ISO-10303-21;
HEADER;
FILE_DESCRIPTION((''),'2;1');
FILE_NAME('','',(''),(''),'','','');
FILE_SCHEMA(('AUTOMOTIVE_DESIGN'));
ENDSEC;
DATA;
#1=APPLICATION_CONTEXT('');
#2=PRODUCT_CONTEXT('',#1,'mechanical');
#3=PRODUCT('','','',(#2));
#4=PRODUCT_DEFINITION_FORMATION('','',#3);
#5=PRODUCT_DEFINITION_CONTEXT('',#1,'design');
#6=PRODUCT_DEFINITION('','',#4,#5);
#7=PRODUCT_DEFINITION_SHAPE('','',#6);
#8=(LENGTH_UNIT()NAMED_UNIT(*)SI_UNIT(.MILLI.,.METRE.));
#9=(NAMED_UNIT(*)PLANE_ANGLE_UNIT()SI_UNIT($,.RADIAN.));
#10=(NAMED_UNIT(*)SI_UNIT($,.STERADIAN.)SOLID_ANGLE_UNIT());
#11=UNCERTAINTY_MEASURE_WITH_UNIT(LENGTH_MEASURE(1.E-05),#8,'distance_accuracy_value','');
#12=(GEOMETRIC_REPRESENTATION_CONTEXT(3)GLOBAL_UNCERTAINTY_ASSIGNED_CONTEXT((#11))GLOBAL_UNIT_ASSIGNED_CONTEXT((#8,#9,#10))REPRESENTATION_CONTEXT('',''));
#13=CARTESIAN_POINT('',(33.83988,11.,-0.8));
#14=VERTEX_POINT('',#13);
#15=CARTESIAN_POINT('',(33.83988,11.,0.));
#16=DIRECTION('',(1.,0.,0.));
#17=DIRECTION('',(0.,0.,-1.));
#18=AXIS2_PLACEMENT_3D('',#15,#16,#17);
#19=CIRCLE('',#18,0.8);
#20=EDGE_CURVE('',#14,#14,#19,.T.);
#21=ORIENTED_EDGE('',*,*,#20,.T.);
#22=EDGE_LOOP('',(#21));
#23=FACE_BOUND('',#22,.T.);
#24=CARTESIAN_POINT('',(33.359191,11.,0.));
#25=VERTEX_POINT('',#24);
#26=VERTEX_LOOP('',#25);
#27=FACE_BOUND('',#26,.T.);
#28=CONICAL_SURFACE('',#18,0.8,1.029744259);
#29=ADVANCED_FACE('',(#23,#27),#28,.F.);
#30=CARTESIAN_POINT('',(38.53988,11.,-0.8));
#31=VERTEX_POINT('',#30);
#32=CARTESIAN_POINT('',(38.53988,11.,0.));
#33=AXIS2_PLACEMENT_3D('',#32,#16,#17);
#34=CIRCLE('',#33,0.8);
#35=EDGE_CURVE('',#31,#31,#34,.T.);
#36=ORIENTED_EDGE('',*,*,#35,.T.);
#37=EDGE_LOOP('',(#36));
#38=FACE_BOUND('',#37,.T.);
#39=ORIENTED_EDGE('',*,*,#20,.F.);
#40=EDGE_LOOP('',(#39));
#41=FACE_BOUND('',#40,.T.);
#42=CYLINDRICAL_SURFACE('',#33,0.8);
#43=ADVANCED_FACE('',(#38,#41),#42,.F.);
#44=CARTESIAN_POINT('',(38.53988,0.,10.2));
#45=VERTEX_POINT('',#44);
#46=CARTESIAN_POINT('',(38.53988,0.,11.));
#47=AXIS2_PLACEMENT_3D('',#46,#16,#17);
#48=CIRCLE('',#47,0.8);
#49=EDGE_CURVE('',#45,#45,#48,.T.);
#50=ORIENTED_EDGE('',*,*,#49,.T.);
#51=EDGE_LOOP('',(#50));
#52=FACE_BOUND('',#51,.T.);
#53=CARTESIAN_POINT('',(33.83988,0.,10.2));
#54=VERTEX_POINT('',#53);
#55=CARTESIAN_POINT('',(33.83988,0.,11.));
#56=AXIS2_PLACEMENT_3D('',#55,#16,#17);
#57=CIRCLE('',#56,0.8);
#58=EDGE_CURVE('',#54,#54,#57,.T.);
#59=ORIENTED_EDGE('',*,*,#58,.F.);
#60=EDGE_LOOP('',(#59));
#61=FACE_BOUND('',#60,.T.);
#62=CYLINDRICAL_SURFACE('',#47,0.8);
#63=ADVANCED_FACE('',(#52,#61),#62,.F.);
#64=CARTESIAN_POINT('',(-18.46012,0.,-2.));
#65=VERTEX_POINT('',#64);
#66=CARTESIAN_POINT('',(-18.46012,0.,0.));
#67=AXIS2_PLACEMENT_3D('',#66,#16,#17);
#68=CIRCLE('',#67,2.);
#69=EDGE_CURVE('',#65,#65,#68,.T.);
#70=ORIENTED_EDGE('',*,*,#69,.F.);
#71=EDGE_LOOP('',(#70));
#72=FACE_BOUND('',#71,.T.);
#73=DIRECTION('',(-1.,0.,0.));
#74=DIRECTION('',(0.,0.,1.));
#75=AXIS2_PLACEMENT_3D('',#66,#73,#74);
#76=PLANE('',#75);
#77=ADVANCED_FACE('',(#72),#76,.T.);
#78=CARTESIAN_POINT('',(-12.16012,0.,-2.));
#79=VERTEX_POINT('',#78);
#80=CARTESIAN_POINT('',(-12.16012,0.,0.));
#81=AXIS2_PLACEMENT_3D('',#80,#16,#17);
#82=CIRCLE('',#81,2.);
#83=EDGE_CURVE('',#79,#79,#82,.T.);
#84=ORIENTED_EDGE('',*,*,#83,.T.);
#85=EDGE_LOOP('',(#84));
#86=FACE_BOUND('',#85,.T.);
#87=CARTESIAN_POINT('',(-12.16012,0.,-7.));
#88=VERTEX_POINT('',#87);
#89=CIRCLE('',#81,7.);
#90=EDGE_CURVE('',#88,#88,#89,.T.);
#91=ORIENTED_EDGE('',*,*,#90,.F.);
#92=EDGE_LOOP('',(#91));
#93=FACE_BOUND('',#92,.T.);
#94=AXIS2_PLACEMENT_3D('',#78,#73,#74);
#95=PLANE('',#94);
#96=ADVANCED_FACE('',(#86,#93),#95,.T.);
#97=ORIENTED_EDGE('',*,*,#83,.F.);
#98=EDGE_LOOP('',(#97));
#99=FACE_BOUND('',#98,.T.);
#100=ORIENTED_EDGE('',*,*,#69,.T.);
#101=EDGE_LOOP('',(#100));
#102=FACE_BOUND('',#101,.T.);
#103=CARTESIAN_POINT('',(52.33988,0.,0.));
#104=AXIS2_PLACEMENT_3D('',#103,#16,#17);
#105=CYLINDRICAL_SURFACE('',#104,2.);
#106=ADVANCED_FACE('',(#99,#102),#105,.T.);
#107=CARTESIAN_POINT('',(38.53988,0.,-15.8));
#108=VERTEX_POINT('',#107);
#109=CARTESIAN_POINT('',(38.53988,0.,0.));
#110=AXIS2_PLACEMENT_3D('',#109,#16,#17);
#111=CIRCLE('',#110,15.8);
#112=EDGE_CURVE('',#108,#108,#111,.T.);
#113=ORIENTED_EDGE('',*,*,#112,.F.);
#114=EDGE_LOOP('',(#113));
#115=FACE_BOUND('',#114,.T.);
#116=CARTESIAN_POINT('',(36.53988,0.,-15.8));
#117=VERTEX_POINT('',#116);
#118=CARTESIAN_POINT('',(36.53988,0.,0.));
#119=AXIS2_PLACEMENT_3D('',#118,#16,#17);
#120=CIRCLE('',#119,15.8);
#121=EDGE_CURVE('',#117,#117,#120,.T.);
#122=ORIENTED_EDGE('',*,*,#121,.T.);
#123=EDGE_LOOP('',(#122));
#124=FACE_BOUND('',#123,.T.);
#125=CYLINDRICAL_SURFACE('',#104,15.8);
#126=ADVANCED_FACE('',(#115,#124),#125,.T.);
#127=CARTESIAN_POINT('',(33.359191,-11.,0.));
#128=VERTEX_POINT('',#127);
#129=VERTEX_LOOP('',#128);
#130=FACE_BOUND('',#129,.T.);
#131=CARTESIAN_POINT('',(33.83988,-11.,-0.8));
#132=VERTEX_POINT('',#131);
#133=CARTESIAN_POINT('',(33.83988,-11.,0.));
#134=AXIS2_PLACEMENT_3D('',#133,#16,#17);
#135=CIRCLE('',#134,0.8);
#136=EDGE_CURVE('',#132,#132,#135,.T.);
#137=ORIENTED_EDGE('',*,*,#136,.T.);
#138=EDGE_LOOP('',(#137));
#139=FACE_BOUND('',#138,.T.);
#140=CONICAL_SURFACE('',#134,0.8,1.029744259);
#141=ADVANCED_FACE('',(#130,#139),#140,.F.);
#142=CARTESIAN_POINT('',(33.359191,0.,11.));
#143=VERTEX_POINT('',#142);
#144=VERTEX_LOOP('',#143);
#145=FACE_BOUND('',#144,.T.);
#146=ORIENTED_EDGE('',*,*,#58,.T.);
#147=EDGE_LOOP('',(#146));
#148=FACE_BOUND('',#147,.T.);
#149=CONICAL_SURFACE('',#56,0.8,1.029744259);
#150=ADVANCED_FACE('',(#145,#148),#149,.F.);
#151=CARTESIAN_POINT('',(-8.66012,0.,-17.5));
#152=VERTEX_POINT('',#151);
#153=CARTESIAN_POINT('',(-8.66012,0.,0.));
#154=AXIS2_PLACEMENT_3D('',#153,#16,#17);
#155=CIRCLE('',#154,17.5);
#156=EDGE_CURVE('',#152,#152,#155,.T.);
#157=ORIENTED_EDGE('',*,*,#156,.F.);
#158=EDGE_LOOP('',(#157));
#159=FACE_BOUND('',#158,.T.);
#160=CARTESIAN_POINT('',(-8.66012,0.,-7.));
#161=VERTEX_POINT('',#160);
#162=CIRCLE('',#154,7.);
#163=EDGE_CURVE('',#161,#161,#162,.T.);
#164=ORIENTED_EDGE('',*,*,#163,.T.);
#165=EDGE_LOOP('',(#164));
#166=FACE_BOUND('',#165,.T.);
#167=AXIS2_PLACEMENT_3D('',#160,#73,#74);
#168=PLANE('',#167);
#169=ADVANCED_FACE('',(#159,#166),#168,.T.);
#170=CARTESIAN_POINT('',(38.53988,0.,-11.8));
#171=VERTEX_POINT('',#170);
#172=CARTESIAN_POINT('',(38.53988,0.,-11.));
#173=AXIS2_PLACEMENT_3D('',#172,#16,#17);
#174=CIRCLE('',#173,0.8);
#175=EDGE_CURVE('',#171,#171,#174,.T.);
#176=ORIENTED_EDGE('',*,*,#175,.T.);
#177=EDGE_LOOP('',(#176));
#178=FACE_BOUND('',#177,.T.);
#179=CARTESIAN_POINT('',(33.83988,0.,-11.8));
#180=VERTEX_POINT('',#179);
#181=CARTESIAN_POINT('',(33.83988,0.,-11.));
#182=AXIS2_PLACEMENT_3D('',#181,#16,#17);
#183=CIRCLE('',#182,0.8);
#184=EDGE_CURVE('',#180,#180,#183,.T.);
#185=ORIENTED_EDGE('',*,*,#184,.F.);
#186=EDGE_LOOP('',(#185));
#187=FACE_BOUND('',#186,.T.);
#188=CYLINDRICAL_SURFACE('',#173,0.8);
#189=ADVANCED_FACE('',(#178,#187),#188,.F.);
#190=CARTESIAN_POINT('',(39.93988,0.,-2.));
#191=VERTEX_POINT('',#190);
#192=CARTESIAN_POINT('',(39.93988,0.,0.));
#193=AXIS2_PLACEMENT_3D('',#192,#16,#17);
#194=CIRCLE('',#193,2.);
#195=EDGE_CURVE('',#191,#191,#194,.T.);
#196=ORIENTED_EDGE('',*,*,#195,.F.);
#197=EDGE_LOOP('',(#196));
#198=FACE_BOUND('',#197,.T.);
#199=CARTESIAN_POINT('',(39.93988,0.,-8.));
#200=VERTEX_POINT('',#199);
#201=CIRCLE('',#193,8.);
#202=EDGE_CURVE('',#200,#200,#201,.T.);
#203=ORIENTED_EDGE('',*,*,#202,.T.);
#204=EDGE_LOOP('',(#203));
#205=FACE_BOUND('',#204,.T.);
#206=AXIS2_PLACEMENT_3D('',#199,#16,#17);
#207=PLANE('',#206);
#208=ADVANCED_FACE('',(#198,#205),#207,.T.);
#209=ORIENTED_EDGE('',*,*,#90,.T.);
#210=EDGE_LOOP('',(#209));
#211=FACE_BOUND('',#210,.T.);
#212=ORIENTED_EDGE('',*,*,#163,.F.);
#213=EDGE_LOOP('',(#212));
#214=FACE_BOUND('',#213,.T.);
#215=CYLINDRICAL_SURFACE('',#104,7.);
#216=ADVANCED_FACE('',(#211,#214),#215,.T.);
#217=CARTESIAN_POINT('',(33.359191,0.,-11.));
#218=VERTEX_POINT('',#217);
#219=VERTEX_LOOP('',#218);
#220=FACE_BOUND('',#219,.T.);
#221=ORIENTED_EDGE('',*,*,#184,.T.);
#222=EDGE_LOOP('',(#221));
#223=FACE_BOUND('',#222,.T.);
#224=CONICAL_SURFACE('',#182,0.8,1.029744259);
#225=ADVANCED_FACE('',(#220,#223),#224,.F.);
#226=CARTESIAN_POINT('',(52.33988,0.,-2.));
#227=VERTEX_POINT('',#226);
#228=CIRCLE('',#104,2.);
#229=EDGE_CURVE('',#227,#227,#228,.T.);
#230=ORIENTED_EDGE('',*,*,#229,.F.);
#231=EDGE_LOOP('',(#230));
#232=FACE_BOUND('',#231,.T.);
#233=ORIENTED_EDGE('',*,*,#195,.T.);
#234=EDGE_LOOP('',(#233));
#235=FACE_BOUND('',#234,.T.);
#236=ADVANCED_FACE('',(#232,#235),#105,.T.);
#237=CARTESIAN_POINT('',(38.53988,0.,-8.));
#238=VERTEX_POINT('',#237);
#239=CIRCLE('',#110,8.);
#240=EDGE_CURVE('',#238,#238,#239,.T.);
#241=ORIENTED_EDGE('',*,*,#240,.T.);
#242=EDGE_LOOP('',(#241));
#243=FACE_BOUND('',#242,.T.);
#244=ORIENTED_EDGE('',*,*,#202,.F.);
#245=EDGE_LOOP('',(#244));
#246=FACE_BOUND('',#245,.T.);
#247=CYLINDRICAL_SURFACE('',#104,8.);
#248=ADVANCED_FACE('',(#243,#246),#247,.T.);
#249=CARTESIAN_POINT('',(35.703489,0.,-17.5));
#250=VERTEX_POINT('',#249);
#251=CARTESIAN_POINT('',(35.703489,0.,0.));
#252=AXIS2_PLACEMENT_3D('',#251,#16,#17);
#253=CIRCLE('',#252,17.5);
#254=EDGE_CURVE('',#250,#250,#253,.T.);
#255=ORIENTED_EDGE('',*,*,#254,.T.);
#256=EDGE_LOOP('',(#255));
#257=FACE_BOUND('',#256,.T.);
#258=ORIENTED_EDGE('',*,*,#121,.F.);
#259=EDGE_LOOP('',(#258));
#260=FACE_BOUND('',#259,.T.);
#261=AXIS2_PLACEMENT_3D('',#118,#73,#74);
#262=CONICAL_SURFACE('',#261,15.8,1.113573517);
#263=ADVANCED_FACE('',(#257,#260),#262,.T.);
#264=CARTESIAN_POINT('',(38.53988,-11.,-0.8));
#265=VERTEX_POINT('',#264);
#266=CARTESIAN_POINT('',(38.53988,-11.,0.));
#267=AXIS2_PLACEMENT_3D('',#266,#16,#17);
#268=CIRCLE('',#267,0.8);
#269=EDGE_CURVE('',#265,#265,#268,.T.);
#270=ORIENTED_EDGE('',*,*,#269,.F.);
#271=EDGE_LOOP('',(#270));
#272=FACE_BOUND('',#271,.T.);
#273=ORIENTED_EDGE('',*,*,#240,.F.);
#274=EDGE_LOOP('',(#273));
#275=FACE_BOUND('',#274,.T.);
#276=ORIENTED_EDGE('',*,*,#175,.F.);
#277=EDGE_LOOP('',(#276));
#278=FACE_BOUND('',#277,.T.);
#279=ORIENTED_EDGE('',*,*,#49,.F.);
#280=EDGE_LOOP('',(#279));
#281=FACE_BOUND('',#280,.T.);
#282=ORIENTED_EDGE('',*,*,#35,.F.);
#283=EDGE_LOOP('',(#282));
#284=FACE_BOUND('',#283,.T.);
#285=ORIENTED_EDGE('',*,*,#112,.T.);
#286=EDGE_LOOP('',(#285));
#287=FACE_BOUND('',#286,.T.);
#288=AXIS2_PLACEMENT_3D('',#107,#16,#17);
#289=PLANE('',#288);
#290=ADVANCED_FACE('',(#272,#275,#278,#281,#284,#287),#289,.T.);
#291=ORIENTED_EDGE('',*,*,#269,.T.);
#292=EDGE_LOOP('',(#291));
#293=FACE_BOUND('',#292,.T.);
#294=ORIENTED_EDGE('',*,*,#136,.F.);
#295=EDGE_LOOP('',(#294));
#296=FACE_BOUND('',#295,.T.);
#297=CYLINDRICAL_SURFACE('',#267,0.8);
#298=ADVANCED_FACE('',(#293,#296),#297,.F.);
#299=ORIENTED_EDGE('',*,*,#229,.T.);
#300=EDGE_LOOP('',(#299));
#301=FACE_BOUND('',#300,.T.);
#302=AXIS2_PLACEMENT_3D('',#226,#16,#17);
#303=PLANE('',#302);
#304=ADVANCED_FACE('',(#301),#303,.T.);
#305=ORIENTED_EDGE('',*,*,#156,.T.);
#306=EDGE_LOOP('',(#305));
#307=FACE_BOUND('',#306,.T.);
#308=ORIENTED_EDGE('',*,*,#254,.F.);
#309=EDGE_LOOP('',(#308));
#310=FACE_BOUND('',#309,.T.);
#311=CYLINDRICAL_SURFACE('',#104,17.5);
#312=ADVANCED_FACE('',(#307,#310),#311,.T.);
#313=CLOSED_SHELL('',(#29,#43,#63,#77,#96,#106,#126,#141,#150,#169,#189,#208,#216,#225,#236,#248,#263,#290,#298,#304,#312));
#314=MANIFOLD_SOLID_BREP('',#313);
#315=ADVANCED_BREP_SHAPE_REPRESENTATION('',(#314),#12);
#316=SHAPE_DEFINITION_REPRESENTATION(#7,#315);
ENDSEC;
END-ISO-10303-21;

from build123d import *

# Parameters (mm, degrees)
R_P_TITION_CIRCULAIRE7_COUNT = 4


with BuildPart() as part:
    # Esquisse1 → Révolution1 (revolve)
    with BuildSketch(Plane(origin=(0, 0, 0), x_dir=(1, 0, 0), z_dir=(0, 1, 0))):
        Polygon((-18.460120385, 0), (-18.460120385, 2), (-12.160120385, 2), (-12.160120385, 7), (-8.660120385, 7), (-8.660120385, 17.5), (35.703488783, 17.5), (36.539879615, 15.8), (38.539879615, 15.8), (38.539879615, 8), (39.939879615, 8), (39.939879615, 2), (52.339879615, 2), (52.339879615, 0), align=None)
    revolve(axis=Axis((52.339879615, 0, 0), (-1, 0, 0)))

    # Esquisse4 → Trou taraudé M22 (revolve, cut)
    with BuildSketch(Plane(origin=(38.539879615, 0, -11), x_dir=(0, 0, -1), z_dir=(0, 1, 0))):
        Polygon((0, 0), (0, 5.180688495), (0.8, 4.7), (0.8, 0), align=None)
    trou_taraud_m22 = revolve(axis=Axis((44.889879615, 0, -11), (-1, 0, 0)), mode=Mode.SUBTRACT)

    # Répétition circulaire7: Trou taraudé M22 ×4 about axis
    r_p_tition_circulaire7_axis = Axis((0, 0, 0), (1, 0, 0))
    for i in range(1, R_P_TITION_CIRCULAIRE7_COUNT):
        add(trou_taraud_m22.rotate(r_p_tition_circulaire7_axis, i * 360 / R_P_TITION_CIRCULAIRE7_COUNT), mode=Mode.SUBTRACT)


solid = part.part
